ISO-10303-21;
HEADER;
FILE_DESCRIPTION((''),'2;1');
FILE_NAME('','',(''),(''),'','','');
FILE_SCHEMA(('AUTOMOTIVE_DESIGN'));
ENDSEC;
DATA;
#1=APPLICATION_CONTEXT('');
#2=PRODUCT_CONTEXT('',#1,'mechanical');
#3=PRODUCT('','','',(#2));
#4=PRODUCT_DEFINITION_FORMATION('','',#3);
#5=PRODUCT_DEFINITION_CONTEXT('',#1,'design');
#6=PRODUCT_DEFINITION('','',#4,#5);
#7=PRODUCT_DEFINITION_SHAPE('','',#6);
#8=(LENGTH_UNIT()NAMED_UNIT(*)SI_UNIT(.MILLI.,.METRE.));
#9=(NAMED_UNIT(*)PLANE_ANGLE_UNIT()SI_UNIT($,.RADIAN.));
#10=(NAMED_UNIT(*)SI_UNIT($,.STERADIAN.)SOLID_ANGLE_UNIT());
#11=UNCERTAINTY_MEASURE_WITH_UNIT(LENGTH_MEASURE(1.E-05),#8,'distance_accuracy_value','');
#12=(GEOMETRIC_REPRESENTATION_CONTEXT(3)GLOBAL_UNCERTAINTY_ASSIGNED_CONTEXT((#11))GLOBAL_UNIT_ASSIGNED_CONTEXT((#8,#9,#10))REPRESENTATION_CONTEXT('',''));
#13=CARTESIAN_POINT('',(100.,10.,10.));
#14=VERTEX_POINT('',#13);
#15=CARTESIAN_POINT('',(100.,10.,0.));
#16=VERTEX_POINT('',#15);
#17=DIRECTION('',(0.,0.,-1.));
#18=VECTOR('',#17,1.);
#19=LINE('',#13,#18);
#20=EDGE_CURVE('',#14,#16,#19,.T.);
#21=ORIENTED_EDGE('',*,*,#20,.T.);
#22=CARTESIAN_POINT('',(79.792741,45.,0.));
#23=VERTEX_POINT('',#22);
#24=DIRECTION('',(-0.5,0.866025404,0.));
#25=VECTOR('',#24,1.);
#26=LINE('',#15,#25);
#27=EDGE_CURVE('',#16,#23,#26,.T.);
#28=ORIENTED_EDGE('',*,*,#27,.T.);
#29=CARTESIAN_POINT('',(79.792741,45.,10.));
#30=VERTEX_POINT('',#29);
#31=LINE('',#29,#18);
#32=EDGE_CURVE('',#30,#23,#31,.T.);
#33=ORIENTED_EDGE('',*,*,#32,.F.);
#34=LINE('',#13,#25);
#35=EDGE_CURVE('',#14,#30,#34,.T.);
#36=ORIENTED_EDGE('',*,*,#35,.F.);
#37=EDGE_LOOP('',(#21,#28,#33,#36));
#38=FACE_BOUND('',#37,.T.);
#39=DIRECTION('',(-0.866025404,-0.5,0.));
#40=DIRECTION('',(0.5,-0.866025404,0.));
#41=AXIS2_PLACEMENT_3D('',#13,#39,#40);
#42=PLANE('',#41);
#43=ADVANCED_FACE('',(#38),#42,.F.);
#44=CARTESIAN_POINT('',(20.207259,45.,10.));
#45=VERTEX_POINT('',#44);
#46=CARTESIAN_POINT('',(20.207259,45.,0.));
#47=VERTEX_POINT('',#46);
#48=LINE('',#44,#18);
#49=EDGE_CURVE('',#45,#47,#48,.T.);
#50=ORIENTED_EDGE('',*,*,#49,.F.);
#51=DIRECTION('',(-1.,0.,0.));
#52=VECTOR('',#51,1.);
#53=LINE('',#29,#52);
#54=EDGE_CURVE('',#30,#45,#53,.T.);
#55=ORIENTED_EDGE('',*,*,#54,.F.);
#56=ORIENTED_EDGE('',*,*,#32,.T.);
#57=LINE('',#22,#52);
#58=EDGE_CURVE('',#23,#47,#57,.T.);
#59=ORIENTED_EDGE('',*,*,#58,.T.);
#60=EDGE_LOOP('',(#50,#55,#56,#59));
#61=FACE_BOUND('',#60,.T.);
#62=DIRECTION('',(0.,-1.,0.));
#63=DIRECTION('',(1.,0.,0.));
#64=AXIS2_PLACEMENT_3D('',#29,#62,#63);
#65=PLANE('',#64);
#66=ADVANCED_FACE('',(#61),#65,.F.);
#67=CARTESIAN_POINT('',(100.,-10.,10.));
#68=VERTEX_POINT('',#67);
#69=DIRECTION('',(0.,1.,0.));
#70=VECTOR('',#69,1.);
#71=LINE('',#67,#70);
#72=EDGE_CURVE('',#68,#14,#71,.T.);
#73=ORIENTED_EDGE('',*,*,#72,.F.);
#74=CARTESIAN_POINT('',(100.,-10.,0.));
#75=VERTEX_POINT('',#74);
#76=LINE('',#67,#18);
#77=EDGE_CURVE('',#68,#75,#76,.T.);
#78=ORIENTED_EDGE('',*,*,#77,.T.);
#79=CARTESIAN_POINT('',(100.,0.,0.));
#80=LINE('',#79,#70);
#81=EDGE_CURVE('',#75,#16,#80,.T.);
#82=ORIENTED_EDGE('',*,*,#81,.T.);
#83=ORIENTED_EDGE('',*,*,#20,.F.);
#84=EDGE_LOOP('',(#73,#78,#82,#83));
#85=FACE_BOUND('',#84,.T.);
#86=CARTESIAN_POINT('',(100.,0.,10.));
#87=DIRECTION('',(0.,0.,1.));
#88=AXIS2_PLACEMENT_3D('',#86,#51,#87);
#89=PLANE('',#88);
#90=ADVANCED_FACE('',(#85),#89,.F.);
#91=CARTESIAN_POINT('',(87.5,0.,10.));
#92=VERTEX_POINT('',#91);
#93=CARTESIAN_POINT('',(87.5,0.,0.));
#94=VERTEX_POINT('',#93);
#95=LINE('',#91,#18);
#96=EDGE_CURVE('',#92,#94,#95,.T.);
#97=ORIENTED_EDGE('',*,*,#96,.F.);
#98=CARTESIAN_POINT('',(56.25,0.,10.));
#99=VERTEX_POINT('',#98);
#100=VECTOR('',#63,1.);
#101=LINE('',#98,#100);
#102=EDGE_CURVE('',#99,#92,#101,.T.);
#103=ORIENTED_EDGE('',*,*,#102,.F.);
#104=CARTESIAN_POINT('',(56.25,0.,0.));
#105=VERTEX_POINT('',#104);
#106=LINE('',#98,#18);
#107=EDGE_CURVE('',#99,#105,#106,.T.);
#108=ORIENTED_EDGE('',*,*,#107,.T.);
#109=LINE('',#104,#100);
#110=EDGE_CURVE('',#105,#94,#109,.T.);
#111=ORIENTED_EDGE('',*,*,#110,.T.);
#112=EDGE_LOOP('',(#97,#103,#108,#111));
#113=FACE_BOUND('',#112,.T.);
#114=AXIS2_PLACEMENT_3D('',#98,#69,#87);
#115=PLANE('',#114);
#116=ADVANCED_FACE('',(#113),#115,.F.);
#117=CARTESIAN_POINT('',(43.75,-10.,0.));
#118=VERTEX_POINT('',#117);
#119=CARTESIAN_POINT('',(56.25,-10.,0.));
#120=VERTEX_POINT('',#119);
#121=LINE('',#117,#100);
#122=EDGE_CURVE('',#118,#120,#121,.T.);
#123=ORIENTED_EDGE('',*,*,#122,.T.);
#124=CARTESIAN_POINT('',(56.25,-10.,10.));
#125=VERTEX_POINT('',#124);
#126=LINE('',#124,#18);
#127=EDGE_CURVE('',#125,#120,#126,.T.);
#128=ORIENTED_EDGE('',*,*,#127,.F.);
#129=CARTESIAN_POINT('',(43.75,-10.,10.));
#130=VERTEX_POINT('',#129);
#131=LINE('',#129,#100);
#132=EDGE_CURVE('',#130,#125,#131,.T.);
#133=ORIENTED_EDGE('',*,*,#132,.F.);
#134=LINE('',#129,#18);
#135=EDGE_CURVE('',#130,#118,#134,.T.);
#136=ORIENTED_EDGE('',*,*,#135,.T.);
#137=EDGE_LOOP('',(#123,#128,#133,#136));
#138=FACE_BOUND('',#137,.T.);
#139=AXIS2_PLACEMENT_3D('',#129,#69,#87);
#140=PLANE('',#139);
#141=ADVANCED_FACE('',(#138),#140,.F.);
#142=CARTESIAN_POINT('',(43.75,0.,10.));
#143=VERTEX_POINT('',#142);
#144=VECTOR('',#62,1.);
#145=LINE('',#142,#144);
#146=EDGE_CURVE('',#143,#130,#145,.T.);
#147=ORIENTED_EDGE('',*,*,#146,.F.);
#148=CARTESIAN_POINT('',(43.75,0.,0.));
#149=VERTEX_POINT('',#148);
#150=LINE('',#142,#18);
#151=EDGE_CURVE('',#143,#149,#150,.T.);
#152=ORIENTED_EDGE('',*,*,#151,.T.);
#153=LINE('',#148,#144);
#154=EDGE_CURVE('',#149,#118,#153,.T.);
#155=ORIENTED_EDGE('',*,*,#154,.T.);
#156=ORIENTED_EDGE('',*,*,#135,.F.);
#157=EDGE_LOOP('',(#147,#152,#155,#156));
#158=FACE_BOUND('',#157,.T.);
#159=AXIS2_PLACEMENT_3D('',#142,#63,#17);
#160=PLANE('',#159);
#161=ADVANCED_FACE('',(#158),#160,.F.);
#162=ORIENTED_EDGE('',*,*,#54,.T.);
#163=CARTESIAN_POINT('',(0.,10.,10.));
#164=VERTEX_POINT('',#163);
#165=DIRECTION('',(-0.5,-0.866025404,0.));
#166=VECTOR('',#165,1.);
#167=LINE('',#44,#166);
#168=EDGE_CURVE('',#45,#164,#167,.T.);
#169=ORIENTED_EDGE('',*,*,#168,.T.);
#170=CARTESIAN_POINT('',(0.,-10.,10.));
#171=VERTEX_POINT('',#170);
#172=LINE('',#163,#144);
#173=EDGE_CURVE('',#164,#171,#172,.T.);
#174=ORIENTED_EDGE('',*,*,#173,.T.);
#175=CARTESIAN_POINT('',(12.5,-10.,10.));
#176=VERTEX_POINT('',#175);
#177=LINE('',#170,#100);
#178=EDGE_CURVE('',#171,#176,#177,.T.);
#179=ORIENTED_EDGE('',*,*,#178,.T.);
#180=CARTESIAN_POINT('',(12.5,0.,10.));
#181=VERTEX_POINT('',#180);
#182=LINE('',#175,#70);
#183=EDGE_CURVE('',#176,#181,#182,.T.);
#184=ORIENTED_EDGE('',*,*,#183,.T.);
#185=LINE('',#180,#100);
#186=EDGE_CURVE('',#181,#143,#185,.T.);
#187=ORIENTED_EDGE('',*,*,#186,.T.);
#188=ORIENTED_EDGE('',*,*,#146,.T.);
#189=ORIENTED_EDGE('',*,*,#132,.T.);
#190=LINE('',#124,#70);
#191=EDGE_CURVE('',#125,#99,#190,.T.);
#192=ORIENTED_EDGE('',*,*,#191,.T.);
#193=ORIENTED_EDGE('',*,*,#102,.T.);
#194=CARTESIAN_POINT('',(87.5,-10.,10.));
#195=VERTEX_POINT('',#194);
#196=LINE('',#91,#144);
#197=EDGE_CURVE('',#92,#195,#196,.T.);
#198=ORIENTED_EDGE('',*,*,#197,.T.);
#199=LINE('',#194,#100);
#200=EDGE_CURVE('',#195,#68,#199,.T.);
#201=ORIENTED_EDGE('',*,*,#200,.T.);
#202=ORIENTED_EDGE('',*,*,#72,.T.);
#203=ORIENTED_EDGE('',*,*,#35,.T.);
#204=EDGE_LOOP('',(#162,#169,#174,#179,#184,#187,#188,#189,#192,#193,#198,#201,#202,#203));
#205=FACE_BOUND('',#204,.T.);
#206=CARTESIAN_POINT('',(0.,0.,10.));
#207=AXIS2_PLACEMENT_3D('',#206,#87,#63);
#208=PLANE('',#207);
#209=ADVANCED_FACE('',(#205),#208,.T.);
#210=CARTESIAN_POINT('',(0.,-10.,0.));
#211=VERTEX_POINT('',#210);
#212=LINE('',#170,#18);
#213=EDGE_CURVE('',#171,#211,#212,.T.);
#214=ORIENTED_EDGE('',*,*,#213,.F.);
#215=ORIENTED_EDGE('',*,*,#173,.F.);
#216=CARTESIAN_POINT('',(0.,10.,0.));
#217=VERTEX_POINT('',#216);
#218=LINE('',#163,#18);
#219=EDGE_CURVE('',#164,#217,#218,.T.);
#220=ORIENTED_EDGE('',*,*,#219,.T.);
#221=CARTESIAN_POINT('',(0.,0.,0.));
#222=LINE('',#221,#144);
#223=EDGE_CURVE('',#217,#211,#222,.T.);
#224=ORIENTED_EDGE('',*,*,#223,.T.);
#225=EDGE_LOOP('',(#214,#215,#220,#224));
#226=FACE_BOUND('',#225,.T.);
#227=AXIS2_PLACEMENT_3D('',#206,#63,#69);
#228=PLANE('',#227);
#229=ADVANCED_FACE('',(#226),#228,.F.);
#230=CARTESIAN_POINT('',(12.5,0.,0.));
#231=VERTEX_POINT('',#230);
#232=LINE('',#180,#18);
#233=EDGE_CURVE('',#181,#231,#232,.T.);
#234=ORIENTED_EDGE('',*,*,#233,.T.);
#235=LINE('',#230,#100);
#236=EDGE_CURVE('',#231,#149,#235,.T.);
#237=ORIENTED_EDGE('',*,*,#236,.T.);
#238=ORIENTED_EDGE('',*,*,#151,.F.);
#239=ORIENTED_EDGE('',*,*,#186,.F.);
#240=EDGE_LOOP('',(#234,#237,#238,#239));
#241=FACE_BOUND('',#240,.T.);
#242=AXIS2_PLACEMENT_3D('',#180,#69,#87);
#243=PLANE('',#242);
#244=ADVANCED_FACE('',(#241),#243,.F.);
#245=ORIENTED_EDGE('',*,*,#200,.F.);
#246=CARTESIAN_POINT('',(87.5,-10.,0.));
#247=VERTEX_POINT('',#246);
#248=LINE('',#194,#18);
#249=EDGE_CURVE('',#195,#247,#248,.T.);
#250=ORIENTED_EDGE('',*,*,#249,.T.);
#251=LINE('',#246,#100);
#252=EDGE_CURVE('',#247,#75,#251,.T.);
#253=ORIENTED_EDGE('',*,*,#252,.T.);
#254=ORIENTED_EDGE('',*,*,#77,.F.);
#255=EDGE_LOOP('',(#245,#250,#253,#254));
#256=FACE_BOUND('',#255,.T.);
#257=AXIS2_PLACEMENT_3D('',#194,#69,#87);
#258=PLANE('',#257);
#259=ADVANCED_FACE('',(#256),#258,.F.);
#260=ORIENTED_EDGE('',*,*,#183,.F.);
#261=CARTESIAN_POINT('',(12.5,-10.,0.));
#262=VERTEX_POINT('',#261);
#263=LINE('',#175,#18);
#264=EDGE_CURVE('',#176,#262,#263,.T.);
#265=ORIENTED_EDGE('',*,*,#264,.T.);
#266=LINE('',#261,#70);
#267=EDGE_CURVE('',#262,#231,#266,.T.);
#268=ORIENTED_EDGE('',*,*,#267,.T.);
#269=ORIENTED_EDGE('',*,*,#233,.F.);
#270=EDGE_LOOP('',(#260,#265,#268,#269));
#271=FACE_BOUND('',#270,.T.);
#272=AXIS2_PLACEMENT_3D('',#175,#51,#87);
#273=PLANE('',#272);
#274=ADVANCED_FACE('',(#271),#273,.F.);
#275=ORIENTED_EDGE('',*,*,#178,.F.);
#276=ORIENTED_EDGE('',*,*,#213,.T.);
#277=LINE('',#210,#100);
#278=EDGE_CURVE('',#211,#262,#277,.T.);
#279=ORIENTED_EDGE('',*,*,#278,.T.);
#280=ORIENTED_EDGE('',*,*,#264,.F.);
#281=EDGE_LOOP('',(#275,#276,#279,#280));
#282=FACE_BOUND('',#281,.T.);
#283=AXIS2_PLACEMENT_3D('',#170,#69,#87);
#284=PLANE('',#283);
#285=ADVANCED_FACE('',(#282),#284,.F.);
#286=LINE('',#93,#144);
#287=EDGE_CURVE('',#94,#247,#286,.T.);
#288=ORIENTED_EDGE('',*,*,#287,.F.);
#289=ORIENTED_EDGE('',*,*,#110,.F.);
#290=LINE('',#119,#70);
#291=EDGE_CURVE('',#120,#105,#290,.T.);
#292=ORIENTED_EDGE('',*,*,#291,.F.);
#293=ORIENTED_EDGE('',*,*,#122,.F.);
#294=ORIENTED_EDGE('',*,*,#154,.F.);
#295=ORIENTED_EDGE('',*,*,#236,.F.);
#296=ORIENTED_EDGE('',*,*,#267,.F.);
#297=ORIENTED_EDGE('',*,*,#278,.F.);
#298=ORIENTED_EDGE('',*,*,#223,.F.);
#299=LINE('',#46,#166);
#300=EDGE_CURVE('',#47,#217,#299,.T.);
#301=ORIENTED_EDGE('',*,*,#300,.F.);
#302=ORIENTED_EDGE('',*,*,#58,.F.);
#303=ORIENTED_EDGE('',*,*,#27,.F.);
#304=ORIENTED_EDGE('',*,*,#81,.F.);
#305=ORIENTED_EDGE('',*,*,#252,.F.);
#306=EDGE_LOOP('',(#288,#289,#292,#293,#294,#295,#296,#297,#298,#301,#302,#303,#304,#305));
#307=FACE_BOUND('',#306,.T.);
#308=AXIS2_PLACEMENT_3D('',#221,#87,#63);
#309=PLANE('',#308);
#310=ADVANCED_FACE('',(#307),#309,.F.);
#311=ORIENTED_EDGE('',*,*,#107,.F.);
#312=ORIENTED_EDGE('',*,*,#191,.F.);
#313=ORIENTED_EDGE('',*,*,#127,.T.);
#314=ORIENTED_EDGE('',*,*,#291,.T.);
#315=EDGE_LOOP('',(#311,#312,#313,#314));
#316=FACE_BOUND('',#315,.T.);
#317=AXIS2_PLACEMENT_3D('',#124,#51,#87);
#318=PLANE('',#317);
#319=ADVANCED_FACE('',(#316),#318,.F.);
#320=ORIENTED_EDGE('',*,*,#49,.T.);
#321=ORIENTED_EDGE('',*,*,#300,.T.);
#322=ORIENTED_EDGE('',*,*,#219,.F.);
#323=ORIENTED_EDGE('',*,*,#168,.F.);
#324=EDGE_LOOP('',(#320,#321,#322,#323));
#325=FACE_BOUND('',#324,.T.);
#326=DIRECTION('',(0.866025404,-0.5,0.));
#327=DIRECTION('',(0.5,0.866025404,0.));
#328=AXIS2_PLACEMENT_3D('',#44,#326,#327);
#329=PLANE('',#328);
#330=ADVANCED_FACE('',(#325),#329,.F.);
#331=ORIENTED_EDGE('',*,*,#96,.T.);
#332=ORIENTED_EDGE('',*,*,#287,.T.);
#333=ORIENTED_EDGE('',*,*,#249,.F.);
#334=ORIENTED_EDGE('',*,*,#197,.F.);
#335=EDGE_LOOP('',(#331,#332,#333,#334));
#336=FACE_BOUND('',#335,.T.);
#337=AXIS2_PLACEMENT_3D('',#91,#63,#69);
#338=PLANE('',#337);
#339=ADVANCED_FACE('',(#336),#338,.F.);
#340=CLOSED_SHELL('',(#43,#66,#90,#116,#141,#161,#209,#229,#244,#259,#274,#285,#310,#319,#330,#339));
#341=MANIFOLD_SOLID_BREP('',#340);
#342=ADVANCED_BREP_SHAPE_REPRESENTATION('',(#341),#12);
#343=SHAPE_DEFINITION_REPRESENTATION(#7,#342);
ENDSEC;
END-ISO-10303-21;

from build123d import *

# Parameters (mm, degrees)
BOSS_EXTRUDE1_DEPTH = 10


with BuildPart() as part:
    # Sketch1 → Boss-Extrude1 (new body)
    with BuildSketch(Plane.XY):
        Polygon((0, 0), (0, -10), (12.5, -10), (12.5, 0), (43.75, 0), (43.75, -10), (56.25, -10), (56.25, 0), (87.5, 0), (87.5, -10), (100, -10), (100, 0), (100, 10), (79.792740578, 45), (20.207259422, 45), (0, 10), align=None)
    extrude(amount=BOSS_EXTRUDE1_DEPTH)


solid = part.part
